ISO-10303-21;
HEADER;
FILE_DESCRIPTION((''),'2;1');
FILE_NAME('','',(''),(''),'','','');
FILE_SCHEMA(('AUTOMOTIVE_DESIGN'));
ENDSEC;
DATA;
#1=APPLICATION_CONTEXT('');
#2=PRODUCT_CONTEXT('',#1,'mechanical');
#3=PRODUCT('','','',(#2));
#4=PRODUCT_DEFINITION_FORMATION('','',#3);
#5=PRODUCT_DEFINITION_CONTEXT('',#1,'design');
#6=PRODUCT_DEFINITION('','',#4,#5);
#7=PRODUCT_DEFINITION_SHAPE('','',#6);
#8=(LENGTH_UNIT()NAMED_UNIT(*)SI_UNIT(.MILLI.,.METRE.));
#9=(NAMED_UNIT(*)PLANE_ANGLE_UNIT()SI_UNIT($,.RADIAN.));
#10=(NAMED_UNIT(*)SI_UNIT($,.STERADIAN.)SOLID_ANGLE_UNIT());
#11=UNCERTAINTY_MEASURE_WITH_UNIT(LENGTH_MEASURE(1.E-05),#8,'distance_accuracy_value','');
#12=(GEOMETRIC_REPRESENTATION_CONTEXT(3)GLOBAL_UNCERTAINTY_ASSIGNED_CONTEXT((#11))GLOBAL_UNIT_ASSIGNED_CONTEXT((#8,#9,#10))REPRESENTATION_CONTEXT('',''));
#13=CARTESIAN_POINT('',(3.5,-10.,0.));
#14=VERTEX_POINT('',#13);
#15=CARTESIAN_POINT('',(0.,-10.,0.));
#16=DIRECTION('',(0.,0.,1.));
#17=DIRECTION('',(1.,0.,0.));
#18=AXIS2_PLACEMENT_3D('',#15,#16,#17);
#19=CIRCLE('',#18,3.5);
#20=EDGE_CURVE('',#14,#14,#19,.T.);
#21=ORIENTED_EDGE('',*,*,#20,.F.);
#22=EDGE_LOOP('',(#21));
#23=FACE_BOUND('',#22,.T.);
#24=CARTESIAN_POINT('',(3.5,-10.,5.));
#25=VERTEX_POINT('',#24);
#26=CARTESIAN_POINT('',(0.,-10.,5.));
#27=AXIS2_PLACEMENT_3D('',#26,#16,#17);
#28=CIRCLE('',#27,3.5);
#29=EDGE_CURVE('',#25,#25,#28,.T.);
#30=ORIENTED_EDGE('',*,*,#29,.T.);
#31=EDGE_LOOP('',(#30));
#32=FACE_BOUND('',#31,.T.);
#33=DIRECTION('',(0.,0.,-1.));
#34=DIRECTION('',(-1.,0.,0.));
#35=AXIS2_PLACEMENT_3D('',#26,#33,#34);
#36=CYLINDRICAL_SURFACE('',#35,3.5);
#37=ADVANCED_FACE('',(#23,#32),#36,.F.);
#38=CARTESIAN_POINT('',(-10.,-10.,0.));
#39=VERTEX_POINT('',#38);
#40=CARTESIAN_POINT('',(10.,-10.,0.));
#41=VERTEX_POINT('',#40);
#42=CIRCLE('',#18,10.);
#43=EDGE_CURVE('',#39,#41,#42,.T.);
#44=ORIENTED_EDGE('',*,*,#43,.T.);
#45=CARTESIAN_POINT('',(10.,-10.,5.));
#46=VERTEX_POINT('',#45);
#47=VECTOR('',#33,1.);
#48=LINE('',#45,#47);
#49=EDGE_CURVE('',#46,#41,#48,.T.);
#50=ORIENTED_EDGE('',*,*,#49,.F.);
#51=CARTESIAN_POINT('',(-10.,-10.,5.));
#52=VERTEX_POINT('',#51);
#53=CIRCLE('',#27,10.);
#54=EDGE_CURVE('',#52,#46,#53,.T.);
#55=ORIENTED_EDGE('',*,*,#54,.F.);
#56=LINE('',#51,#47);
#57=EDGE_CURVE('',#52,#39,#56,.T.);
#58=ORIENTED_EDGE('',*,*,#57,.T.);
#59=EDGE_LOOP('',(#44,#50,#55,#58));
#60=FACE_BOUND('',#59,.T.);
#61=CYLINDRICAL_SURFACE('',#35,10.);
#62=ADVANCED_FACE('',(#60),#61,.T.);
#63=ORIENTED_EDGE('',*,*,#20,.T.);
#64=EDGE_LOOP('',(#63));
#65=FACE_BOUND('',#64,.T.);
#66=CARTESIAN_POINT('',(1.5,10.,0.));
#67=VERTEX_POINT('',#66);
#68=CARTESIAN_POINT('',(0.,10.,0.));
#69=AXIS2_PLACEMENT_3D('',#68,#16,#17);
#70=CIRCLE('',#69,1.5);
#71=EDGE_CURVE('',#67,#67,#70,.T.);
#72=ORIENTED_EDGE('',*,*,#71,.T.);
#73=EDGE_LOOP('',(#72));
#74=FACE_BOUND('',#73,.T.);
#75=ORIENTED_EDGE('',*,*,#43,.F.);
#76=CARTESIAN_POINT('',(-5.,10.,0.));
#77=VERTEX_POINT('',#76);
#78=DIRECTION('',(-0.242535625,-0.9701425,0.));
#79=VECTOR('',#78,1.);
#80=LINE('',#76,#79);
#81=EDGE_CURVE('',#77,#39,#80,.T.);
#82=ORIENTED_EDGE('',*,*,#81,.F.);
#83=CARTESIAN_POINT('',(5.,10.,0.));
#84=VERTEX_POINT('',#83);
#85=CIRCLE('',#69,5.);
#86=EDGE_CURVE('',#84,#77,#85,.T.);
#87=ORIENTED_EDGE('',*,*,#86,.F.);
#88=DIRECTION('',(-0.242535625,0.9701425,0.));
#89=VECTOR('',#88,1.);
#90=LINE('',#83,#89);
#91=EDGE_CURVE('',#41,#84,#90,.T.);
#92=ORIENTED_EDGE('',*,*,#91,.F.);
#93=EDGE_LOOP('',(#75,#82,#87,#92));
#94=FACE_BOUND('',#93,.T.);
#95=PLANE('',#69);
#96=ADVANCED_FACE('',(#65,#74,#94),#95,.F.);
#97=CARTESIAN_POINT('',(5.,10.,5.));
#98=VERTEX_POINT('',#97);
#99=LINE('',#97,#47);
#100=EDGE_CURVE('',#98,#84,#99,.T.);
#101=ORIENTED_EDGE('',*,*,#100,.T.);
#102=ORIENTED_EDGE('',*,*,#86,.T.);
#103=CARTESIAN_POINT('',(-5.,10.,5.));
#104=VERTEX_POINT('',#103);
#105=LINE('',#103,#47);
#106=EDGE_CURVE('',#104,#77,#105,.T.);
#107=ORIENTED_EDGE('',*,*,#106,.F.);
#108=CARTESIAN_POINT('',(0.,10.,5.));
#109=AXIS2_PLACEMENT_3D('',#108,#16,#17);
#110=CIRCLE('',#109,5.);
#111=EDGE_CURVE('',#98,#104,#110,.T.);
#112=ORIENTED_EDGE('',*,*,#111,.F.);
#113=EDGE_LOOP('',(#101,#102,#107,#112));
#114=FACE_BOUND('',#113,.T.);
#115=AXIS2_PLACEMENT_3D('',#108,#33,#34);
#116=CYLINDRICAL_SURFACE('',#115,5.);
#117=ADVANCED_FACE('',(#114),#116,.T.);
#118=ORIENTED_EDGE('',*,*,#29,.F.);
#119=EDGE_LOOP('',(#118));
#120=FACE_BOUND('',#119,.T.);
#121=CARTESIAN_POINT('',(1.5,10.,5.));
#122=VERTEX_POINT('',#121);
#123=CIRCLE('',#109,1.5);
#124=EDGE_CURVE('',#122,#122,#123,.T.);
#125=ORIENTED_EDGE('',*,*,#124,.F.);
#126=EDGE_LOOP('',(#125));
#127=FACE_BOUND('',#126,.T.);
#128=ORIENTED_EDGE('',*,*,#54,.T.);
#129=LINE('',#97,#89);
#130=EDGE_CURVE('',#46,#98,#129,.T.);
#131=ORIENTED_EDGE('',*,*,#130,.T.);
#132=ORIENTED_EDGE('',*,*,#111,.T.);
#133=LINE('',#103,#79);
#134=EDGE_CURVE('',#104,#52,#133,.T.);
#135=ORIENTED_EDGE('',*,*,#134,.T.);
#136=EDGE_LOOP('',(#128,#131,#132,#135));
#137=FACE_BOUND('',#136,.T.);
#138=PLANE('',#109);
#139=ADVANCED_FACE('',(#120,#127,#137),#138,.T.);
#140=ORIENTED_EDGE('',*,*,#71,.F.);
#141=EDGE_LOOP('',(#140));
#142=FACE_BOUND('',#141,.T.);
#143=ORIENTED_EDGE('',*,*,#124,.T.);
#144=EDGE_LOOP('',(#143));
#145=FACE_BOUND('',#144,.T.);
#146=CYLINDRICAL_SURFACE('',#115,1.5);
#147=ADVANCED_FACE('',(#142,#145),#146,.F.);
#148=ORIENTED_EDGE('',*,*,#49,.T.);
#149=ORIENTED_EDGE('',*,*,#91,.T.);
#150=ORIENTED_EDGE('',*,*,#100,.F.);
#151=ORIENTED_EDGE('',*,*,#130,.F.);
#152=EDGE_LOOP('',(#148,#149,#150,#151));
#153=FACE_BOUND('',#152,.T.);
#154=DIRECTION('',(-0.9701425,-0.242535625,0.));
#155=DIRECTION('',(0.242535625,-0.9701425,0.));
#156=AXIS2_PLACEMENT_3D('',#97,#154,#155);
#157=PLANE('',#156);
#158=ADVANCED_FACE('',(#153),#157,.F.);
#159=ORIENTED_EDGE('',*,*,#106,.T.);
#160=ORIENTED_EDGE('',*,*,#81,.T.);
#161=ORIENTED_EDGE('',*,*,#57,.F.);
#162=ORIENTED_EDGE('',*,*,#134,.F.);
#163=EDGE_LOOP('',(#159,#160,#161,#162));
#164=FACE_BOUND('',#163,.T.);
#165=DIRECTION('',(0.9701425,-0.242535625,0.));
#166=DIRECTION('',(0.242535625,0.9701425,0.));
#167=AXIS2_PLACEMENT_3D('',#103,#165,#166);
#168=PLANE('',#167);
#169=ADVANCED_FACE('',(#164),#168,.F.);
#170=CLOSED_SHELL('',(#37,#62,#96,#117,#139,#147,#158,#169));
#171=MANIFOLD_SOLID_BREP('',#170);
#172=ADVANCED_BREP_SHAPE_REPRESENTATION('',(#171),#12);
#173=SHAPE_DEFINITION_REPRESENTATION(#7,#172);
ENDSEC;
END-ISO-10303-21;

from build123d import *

# Parameters (mm, degrees)
SKETCH4_R           = 3.5
SKETCH4_R_2         = 1.5
BOSS_EXTRUDE2_DEPTH = 5


with BuildPart() as part:
    # Sketch4 → Boss-Extrude2 (new body)
    with BuildSketch(Plane.XY):
        with BuildLine():
            Line((5, 10), (10, -10))
            ThreePointArc((10, -10), (0, -20), (-10, -10))
            Line((-10, -10), (-5, 10))
            ThreePointArc((-5, 10), (0, 15), (5, 10))
        make_face()
        with Locations((0, -10)):
            Circle(SKETCH4_R, mode=Mode.SUBTRACT)
        with Locations((0, 10)):
            Circle(SKETCH4_R_2, mode=Mode.SUBTRACT)
    extrude(amount=BOSS_EXTRUDE2_DEPTH)


solid = part.part
